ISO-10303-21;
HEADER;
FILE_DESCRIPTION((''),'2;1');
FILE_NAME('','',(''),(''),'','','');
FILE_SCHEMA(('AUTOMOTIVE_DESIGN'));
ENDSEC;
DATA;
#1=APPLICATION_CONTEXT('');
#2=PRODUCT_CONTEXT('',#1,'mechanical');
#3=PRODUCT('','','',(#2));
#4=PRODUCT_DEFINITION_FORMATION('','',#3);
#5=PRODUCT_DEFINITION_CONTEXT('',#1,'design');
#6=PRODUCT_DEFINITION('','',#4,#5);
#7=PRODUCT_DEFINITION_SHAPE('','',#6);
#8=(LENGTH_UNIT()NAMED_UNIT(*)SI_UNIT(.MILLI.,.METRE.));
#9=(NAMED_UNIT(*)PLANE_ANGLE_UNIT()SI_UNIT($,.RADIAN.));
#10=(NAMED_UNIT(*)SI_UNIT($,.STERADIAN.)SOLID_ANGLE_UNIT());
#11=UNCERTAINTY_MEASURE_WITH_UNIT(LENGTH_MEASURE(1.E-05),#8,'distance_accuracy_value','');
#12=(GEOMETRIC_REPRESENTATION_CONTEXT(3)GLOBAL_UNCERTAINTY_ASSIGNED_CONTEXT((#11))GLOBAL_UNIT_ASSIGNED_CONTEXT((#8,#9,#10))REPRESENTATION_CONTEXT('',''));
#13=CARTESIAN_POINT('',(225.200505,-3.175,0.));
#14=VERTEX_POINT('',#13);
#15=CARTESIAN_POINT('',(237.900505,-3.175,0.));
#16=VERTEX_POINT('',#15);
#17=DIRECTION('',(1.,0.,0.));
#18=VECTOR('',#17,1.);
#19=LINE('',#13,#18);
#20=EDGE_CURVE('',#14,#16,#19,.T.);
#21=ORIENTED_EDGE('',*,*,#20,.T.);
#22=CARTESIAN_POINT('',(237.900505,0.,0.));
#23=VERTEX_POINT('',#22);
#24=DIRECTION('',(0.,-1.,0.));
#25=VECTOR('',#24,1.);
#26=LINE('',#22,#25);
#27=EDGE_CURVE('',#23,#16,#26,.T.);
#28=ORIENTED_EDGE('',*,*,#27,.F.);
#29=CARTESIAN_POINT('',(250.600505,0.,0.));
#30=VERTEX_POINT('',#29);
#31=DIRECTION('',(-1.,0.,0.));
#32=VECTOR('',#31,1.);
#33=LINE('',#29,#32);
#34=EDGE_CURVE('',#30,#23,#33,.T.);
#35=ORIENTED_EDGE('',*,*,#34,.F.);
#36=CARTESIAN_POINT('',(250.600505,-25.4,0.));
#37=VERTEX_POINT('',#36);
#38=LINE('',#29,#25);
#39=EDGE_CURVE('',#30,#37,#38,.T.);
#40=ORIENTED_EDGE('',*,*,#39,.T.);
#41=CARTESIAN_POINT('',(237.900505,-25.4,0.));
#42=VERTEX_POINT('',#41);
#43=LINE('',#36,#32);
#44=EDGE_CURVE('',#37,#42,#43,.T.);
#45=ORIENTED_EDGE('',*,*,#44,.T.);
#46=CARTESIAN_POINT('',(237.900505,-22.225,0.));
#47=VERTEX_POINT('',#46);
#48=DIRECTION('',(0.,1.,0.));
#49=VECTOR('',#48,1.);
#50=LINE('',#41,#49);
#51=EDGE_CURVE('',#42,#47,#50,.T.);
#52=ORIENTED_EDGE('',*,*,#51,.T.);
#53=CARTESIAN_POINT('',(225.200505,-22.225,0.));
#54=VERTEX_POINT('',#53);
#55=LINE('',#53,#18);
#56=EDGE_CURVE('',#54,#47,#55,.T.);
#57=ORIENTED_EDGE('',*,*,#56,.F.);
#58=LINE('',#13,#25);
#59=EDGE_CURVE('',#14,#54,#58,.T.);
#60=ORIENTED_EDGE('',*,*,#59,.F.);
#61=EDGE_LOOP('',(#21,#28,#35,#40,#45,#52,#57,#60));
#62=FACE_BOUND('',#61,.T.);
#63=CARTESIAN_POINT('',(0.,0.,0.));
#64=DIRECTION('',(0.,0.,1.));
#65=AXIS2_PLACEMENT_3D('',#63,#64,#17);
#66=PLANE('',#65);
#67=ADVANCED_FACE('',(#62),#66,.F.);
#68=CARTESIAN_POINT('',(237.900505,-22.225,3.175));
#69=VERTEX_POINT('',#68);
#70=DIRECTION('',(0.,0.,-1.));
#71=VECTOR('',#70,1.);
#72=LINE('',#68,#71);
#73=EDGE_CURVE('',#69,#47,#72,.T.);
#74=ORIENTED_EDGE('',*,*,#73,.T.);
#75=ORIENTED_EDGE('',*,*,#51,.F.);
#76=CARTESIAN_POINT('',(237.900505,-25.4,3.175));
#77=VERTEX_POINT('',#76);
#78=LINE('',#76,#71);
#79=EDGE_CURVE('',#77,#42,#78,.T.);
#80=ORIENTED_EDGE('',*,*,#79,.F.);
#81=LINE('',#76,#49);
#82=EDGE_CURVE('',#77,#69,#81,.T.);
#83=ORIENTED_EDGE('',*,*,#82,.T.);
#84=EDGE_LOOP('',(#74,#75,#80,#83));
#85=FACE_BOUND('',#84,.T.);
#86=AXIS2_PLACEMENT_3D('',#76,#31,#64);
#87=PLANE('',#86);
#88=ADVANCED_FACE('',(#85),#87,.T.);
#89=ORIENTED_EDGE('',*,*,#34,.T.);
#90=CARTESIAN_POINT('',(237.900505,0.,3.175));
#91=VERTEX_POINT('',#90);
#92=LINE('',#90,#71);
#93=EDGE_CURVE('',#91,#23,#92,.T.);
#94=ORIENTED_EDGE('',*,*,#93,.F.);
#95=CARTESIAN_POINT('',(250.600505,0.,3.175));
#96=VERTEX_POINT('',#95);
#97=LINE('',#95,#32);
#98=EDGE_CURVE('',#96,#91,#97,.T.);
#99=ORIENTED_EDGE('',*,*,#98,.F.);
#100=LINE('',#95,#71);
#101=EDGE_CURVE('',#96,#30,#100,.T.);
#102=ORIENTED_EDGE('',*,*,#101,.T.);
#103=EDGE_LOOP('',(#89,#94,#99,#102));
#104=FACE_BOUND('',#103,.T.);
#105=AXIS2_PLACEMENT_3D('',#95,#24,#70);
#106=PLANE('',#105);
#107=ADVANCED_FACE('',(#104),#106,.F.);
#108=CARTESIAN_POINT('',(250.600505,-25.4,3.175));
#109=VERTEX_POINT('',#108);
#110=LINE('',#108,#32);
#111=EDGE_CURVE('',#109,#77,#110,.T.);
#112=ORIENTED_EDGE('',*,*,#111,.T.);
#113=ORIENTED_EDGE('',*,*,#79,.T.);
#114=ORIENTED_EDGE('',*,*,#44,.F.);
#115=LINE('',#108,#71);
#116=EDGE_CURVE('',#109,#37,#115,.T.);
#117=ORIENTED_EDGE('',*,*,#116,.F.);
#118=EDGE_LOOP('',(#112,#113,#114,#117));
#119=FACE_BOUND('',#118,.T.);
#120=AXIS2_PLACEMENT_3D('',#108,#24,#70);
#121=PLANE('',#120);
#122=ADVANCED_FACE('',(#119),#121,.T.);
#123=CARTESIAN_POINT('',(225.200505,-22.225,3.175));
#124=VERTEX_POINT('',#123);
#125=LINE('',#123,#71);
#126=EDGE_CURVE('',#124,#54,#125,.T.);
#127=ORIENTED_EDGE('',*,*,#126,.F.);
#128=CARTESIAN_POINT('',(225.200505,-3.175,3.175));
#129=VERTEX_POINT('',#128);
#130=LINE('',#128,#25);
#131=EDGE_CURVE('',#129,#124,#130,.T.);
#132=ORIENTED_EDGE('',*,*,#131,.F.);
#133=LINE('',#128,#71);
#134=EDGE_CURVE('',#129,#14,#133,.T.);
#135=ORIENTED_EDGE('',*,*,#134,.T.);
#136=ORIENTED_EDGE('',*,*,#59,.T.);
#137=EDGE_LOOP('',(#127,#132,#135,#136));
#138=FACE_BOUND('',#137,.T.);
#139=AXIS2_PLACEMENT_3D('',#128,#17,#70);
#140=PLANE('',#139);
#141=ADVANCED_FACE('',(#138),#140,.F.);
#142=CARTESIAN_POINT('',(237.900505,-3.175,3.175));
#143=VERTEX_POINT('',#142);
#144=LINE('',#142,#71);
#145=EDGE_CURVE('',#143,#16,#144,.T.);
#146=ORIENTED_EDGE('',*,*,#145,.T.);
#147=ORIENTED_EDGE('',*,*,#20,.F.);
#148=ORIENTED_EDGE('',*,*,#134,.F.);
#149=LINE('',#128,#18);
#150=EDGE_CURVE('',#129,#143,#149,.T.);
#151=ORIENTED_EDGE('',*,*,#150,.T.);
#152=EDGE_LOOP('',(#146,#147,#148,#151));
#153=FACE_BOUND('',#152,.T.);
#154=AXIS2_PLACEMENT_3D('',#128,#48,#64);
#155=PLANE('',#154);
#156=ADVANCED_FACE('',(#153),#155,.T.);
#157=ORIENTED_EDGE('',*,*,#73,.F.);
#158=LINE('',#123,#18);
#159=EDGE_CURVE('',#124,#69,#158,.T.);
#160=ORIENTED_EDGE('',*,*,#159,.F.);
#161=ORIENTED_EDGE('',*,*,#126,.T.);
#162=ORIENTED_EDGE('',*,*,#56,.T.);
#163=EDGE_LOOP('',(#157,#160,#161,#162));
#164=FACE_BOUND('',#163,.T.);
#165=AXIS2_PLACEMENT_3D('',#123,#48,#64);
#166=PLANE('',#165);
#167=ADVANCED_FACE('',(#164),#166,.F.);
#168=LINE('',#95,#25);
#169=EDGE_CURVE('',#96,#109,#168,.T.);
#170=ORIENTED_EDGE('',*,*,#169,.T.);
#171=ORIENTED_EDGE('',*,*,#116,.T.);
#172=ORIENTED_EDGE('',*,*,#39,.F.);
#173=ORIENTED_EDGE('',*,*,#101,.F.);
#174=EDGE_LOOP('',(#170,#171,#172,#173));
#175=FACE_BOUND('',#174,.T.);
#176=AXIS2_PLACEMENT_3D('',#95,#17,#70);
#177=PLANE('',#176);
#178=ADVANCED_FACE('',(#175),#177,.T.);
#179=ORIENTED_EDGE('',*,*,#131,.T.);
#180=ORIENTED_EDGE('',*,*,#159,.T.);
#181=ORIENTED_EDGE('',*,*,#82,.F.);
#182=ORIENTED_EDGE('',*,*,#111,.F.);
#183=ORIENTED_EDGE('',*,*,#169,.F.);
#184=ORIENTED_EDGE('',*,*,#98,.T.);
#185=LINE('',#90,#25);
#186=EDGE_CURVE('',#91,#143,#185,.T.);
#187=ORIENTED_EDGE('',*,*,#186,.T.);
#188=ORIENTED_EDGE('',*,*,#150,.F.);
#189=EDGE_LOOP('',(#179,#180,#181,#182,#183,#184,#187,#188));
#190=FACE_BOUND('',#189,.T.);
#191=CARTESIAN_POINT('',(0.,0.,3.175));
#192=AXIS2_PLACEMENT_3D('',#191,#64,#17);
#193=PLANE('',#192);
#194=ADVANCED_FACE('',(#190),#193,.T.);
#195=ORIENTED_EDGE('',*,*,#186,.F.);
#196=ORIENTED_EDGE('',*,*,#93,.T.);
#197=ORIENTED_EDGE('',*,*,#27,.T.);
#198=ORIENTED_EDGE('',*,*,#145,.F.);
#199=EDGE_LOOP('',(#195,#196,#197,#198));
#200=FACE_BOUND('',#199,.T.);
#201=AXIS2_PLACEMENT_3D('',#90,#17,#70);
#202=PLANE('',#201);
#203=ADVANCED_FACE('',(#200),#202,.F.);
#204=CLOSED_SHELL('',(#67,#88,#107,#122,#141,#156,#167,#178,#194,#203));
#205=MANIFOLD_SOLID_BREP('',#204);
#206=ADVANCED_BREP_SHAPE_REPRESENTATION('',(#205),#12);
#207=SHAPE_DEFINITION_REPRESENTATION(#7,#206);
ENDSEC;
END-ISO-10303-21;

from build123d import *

# Parameters (mm, degrees)
BOSS_EXTRUDE1_DEPTH = 3.175


with BuildPart() as part:
    # Sketch1 → Boss-Extrude1 (new body)
    with BuildSketch(Plane.XY):
        Polygon((250.600505146, 0), (237.900505146, 0), (237.900505146, -3.175), (225.200505146, -3.175), (225.200505146, -22.225), (237.900505146, -22.225), (237.900505146, -25.4), (250.600505146, -25.4), align=None)
    extrude(amount=BOSS_EXTRUDE1_DEPTH)


solid = part.part
